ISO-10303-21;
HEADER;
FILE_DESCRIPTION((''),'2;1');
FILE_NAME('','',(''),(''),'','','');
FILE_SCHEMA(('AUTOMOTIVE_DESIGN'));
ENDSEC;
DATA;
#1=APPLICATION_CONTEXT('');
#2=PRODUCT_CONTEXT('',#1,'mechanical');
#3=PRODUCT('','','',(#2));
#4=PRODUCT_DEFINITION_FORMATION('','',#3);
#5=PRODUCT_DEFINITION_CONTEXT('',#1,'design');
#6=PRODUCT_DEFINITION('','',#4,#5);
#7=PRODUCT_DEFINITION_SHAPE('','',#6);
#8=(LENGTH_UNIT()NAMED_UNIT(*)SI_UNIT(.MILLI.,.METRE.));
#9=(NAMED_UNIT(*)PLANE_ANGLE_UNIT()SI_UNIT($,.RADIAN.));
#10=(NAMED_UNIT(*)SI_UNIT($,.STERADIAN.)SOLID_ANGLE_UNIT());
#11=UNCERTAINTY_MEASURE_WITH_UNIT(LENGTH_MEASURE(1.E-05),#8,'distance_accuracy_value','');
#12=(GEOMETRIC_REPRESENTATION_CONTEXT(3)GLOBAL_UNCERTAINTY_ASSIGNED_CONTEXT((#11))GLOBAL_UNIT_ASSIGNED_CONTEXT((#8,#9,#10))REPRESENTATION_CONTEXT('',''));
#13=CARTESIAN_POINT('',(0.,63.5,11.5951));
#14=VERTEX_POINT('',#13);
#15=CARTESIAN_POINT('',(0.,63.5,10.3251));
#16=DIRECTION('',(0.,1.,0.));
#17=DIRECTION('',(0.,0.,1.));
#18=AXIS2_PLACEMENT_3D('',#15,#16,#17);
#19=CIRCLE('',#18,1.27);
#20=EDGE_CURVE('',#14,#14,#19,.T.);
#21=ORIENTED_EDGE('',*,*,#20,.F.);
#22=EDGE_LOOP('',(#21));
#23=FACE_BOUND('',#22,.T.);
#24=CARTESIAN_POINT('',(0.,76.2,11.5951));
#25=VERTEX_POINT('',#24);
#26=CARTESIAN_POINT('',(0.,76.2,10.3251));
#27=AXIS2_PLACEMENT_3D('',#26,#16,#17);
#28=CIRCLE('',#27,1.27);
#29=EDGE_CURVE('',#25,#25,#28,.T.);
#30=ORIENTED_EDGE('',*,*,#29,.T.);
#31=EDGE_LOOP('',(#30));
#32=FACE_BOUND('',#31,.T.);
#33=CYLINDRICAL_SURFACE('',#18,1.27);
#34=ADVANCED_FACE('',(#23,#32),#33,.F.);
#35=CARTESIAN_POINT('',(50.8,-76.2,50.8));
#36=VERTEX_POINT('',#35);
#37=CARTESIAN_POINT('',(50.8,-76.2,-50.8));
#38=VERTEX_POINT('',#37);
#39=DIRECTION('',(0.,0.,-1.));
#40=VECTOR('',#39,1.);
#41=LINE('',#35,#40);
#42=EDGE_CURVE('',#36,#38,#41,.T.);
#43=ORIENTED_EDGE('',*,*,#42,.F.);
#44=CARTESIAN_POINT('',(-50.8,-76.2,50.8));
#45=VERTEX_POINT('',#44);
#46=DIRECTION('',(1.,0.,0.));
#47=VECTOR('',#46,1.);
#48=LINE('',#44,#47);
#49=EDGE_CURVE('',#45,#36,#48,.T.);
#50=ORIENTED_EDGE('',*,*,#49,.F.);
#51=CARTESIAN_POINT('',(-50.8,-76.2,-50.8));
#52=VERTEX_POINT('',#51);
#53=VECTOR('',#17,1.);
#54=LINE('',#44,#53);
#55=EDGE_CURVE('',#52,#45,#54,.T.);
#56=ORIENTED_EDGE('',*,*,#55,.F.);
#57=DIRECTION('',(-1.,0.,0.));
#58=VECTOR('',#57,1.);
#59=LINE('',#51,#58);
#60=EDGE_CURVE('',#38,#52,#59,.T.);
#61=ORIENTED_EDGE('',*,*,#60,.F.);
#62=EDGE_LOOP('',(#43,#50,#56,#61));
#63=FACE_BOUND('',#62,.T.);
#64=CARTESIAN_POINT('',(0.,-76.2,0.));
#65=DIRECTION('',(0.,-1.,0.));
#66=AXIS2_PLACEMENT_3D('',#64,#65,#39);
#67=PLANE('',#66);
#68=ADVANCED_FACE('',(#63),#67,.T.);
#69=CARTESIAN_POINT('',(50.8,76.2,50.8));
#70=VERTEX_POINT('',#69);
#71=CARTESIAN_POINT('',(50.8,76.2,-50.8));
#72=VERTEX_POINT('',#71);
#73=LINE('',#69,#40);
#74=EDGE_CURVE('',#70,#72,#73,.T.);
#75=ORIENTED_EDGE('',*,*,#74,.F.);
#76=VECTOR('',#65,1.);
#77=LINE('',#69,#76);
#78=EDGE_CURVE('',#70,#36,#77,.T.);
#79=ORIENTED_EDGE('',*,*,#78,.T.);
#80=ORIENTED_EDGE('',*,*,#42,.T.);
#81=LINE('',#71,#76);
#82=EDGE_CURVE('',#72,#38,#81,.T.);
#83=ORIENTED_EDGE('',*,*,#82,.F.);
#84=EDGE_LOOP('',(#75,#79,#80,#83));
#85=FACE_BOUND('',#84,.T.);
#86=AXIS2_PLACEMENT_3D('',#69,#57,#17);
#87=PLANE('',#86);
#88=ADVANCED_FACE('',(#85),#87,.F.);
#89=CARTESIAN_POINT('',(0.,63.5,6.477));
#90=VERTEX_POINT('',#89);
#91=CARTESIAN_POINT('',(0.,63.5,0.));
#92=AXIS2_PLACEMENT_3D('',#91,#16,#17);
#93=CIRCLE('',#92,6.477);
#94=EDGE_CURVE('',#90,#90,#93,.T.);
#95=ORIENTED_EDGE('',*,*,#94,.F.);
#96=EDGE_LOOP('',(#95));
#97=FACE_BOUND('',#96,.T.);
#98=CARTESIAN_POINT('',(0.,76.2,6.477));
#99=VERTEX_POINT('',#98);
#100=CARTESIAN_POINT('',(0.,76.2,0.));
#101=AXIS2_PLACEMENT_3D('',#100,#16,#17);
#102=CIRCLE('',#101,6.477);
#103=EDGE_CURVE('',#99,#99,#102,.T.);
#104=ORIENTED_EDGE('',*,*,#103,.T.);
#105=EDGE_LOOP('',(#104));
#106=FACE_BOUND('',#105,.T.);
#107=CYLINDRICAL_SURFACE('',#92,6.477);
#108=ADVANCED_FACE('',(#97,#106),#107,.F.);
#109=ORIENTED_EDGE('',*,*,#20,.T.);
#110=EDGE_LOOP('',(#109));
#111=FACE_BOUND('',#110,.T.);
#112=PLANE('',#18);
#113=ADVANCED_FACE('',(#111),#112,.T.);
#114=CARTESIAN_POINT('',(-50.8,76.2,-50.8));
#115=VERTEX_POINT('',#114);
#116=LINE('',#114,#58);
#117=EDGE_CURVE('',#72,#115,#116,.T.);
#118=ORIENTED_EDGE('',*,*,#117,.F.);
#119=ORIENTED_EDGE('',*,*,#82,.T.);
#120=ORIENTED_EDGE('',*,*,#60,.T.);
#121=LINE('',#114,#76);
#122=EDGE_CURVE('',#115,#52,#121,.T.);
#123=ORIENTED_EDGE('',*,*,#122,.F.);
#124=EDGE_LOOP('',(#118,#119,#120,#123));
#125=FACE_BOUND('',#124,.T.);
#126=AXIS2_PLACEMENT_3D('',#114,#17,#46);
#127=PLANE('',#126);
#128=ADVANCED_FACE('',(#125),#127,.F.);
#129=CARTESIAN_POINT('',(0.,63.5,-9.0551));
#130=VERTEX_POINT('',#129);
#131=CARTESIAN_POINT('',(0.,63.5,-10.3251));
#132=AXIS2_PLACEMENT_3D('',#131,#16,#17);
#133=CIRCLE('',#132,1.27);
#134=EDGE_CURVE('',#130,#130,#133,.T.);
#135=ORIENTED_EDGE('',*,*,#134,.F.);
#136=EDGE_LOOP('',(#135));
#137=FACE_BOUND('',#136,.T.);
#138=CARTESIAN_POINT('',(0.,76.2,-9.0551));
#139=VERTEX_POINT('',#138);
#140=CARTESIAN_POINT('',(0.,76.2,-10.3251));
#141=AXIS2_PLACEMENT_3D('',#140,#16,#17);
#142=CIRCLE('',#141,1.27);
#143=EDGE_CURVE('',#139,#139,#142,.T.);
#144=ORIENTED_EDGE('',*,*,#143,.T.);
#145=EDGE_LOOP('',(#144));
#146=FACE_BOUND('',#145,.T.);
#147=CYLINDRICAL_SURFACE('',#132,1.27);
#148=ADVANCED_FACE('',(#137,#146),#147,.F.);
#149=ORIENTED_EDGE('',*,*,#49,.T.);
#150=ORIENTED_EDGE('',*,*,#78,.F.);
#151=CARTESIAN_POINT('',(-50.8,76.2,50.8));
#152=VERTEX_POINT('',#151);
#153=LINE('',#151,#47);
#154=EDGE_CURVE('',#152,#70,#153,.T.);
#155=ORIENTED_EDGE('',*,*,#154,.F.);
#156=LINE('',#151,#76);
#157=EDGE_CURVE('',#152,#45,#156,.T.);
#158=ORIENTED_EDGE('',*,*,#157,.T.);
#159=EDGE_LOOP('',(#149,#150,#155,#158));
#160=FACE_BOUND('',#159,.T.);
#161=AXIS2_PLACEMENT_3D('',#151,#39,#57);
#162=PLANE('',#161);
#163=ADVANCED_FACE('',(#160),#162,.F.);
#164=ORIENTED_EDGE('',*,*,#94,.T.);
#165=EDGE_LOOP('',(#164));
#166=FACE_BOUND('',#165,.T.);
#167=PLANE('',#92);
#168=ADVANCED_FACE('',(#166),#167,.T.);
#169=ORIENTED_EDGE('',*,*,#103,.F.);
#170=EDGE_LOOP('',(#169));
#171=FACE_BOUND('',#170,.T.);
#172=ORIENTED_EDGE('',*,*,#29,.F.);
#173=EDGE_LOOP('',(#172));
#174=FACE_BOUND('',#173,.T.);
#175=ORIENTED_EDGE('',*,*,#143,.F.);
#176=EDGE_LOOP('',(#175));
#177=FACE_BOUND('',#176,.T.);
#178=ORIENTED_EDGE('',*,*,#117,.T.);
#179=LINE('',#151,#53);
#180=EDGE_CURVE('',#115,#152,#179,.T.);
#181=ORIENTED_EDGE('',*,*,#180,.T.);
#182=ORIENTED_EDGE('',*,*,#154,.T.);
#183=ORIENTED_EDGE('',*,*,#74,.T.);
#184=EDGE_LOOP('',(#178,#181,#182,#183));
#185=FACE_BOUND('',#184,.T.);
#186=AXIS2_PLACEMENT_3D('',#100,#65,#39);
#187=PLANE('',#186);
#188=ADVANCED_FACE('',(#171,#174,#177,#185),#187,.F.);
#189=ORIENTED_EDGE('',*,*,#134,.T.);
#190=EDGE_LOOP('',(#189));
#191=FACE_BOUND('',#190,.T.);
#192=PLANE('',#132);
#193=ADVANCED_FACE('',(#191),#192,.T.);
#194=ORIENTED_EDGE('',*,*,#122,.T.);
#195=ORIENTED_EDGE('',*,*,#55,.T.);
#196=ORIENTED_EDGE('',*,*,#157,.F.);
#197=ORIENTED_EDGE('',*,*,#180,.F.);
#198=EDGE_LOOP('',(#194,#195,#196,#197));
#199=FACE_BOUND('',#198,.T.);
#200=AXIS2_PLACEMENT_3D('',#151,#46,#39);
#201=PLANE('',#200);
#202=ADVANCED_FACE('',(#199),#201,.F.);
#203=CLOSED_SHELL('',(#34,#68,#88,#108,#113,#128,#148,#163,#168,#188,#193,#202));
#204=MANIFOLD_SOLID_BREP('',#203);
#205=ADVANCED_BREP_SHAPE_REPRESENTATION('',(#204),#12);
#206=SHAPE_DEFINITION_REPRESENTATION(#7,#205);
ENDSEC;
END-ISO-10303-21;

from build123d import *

# Parameters (mm, degrees)
SKETCH1_W           = 101.6
SKETCH1_H           = 101.6
BOSS_EXTRUDE1_DEPTH = 76.2
SKETCH2_R           = 6.477
SKETCH2_R_2         = 1.27
CUT_EXTRUDE1_DEPTH  = 12.7


with BuildPart() as part:
    # Sketch1 → Boss-Extrude1 (new, symmetric)
    with BuildSketch(Plane(origin=(0, 0, 0), x_dir=(1, 0, 0), z_dir=(0, 1, 0))):
        Rectangle(SKETCH1_W, SKETCH1_H)
    extrude(amount=BOSS_EXTRUDE1_DEPTH, both=True)

    # Sketch2 → Cut-Extrude1 (cut)
    with BuildSketch(Plane(origin=(0, 76.2, 0), x_dir=(1, 0, 0), z_dir=(0, 1, 0))):
        with Locations(Location((0, 0, 0), (0, 0, 270))):
            Circle(SKETCH2_R)
        with Locations(Location((0, 10.3251, 0), (0, 0, 270))):
            Circle(SKETCH2_R_2)
        with Locations(Location((0, -10.3251, 0), (0, 0, 270))):
            Circle(SKETCH2_R_2)
    extrude(amount=-CUT_EXTRUDE1_DEPTH, mode=Mode.SUBTRACT)


solid = part.part
